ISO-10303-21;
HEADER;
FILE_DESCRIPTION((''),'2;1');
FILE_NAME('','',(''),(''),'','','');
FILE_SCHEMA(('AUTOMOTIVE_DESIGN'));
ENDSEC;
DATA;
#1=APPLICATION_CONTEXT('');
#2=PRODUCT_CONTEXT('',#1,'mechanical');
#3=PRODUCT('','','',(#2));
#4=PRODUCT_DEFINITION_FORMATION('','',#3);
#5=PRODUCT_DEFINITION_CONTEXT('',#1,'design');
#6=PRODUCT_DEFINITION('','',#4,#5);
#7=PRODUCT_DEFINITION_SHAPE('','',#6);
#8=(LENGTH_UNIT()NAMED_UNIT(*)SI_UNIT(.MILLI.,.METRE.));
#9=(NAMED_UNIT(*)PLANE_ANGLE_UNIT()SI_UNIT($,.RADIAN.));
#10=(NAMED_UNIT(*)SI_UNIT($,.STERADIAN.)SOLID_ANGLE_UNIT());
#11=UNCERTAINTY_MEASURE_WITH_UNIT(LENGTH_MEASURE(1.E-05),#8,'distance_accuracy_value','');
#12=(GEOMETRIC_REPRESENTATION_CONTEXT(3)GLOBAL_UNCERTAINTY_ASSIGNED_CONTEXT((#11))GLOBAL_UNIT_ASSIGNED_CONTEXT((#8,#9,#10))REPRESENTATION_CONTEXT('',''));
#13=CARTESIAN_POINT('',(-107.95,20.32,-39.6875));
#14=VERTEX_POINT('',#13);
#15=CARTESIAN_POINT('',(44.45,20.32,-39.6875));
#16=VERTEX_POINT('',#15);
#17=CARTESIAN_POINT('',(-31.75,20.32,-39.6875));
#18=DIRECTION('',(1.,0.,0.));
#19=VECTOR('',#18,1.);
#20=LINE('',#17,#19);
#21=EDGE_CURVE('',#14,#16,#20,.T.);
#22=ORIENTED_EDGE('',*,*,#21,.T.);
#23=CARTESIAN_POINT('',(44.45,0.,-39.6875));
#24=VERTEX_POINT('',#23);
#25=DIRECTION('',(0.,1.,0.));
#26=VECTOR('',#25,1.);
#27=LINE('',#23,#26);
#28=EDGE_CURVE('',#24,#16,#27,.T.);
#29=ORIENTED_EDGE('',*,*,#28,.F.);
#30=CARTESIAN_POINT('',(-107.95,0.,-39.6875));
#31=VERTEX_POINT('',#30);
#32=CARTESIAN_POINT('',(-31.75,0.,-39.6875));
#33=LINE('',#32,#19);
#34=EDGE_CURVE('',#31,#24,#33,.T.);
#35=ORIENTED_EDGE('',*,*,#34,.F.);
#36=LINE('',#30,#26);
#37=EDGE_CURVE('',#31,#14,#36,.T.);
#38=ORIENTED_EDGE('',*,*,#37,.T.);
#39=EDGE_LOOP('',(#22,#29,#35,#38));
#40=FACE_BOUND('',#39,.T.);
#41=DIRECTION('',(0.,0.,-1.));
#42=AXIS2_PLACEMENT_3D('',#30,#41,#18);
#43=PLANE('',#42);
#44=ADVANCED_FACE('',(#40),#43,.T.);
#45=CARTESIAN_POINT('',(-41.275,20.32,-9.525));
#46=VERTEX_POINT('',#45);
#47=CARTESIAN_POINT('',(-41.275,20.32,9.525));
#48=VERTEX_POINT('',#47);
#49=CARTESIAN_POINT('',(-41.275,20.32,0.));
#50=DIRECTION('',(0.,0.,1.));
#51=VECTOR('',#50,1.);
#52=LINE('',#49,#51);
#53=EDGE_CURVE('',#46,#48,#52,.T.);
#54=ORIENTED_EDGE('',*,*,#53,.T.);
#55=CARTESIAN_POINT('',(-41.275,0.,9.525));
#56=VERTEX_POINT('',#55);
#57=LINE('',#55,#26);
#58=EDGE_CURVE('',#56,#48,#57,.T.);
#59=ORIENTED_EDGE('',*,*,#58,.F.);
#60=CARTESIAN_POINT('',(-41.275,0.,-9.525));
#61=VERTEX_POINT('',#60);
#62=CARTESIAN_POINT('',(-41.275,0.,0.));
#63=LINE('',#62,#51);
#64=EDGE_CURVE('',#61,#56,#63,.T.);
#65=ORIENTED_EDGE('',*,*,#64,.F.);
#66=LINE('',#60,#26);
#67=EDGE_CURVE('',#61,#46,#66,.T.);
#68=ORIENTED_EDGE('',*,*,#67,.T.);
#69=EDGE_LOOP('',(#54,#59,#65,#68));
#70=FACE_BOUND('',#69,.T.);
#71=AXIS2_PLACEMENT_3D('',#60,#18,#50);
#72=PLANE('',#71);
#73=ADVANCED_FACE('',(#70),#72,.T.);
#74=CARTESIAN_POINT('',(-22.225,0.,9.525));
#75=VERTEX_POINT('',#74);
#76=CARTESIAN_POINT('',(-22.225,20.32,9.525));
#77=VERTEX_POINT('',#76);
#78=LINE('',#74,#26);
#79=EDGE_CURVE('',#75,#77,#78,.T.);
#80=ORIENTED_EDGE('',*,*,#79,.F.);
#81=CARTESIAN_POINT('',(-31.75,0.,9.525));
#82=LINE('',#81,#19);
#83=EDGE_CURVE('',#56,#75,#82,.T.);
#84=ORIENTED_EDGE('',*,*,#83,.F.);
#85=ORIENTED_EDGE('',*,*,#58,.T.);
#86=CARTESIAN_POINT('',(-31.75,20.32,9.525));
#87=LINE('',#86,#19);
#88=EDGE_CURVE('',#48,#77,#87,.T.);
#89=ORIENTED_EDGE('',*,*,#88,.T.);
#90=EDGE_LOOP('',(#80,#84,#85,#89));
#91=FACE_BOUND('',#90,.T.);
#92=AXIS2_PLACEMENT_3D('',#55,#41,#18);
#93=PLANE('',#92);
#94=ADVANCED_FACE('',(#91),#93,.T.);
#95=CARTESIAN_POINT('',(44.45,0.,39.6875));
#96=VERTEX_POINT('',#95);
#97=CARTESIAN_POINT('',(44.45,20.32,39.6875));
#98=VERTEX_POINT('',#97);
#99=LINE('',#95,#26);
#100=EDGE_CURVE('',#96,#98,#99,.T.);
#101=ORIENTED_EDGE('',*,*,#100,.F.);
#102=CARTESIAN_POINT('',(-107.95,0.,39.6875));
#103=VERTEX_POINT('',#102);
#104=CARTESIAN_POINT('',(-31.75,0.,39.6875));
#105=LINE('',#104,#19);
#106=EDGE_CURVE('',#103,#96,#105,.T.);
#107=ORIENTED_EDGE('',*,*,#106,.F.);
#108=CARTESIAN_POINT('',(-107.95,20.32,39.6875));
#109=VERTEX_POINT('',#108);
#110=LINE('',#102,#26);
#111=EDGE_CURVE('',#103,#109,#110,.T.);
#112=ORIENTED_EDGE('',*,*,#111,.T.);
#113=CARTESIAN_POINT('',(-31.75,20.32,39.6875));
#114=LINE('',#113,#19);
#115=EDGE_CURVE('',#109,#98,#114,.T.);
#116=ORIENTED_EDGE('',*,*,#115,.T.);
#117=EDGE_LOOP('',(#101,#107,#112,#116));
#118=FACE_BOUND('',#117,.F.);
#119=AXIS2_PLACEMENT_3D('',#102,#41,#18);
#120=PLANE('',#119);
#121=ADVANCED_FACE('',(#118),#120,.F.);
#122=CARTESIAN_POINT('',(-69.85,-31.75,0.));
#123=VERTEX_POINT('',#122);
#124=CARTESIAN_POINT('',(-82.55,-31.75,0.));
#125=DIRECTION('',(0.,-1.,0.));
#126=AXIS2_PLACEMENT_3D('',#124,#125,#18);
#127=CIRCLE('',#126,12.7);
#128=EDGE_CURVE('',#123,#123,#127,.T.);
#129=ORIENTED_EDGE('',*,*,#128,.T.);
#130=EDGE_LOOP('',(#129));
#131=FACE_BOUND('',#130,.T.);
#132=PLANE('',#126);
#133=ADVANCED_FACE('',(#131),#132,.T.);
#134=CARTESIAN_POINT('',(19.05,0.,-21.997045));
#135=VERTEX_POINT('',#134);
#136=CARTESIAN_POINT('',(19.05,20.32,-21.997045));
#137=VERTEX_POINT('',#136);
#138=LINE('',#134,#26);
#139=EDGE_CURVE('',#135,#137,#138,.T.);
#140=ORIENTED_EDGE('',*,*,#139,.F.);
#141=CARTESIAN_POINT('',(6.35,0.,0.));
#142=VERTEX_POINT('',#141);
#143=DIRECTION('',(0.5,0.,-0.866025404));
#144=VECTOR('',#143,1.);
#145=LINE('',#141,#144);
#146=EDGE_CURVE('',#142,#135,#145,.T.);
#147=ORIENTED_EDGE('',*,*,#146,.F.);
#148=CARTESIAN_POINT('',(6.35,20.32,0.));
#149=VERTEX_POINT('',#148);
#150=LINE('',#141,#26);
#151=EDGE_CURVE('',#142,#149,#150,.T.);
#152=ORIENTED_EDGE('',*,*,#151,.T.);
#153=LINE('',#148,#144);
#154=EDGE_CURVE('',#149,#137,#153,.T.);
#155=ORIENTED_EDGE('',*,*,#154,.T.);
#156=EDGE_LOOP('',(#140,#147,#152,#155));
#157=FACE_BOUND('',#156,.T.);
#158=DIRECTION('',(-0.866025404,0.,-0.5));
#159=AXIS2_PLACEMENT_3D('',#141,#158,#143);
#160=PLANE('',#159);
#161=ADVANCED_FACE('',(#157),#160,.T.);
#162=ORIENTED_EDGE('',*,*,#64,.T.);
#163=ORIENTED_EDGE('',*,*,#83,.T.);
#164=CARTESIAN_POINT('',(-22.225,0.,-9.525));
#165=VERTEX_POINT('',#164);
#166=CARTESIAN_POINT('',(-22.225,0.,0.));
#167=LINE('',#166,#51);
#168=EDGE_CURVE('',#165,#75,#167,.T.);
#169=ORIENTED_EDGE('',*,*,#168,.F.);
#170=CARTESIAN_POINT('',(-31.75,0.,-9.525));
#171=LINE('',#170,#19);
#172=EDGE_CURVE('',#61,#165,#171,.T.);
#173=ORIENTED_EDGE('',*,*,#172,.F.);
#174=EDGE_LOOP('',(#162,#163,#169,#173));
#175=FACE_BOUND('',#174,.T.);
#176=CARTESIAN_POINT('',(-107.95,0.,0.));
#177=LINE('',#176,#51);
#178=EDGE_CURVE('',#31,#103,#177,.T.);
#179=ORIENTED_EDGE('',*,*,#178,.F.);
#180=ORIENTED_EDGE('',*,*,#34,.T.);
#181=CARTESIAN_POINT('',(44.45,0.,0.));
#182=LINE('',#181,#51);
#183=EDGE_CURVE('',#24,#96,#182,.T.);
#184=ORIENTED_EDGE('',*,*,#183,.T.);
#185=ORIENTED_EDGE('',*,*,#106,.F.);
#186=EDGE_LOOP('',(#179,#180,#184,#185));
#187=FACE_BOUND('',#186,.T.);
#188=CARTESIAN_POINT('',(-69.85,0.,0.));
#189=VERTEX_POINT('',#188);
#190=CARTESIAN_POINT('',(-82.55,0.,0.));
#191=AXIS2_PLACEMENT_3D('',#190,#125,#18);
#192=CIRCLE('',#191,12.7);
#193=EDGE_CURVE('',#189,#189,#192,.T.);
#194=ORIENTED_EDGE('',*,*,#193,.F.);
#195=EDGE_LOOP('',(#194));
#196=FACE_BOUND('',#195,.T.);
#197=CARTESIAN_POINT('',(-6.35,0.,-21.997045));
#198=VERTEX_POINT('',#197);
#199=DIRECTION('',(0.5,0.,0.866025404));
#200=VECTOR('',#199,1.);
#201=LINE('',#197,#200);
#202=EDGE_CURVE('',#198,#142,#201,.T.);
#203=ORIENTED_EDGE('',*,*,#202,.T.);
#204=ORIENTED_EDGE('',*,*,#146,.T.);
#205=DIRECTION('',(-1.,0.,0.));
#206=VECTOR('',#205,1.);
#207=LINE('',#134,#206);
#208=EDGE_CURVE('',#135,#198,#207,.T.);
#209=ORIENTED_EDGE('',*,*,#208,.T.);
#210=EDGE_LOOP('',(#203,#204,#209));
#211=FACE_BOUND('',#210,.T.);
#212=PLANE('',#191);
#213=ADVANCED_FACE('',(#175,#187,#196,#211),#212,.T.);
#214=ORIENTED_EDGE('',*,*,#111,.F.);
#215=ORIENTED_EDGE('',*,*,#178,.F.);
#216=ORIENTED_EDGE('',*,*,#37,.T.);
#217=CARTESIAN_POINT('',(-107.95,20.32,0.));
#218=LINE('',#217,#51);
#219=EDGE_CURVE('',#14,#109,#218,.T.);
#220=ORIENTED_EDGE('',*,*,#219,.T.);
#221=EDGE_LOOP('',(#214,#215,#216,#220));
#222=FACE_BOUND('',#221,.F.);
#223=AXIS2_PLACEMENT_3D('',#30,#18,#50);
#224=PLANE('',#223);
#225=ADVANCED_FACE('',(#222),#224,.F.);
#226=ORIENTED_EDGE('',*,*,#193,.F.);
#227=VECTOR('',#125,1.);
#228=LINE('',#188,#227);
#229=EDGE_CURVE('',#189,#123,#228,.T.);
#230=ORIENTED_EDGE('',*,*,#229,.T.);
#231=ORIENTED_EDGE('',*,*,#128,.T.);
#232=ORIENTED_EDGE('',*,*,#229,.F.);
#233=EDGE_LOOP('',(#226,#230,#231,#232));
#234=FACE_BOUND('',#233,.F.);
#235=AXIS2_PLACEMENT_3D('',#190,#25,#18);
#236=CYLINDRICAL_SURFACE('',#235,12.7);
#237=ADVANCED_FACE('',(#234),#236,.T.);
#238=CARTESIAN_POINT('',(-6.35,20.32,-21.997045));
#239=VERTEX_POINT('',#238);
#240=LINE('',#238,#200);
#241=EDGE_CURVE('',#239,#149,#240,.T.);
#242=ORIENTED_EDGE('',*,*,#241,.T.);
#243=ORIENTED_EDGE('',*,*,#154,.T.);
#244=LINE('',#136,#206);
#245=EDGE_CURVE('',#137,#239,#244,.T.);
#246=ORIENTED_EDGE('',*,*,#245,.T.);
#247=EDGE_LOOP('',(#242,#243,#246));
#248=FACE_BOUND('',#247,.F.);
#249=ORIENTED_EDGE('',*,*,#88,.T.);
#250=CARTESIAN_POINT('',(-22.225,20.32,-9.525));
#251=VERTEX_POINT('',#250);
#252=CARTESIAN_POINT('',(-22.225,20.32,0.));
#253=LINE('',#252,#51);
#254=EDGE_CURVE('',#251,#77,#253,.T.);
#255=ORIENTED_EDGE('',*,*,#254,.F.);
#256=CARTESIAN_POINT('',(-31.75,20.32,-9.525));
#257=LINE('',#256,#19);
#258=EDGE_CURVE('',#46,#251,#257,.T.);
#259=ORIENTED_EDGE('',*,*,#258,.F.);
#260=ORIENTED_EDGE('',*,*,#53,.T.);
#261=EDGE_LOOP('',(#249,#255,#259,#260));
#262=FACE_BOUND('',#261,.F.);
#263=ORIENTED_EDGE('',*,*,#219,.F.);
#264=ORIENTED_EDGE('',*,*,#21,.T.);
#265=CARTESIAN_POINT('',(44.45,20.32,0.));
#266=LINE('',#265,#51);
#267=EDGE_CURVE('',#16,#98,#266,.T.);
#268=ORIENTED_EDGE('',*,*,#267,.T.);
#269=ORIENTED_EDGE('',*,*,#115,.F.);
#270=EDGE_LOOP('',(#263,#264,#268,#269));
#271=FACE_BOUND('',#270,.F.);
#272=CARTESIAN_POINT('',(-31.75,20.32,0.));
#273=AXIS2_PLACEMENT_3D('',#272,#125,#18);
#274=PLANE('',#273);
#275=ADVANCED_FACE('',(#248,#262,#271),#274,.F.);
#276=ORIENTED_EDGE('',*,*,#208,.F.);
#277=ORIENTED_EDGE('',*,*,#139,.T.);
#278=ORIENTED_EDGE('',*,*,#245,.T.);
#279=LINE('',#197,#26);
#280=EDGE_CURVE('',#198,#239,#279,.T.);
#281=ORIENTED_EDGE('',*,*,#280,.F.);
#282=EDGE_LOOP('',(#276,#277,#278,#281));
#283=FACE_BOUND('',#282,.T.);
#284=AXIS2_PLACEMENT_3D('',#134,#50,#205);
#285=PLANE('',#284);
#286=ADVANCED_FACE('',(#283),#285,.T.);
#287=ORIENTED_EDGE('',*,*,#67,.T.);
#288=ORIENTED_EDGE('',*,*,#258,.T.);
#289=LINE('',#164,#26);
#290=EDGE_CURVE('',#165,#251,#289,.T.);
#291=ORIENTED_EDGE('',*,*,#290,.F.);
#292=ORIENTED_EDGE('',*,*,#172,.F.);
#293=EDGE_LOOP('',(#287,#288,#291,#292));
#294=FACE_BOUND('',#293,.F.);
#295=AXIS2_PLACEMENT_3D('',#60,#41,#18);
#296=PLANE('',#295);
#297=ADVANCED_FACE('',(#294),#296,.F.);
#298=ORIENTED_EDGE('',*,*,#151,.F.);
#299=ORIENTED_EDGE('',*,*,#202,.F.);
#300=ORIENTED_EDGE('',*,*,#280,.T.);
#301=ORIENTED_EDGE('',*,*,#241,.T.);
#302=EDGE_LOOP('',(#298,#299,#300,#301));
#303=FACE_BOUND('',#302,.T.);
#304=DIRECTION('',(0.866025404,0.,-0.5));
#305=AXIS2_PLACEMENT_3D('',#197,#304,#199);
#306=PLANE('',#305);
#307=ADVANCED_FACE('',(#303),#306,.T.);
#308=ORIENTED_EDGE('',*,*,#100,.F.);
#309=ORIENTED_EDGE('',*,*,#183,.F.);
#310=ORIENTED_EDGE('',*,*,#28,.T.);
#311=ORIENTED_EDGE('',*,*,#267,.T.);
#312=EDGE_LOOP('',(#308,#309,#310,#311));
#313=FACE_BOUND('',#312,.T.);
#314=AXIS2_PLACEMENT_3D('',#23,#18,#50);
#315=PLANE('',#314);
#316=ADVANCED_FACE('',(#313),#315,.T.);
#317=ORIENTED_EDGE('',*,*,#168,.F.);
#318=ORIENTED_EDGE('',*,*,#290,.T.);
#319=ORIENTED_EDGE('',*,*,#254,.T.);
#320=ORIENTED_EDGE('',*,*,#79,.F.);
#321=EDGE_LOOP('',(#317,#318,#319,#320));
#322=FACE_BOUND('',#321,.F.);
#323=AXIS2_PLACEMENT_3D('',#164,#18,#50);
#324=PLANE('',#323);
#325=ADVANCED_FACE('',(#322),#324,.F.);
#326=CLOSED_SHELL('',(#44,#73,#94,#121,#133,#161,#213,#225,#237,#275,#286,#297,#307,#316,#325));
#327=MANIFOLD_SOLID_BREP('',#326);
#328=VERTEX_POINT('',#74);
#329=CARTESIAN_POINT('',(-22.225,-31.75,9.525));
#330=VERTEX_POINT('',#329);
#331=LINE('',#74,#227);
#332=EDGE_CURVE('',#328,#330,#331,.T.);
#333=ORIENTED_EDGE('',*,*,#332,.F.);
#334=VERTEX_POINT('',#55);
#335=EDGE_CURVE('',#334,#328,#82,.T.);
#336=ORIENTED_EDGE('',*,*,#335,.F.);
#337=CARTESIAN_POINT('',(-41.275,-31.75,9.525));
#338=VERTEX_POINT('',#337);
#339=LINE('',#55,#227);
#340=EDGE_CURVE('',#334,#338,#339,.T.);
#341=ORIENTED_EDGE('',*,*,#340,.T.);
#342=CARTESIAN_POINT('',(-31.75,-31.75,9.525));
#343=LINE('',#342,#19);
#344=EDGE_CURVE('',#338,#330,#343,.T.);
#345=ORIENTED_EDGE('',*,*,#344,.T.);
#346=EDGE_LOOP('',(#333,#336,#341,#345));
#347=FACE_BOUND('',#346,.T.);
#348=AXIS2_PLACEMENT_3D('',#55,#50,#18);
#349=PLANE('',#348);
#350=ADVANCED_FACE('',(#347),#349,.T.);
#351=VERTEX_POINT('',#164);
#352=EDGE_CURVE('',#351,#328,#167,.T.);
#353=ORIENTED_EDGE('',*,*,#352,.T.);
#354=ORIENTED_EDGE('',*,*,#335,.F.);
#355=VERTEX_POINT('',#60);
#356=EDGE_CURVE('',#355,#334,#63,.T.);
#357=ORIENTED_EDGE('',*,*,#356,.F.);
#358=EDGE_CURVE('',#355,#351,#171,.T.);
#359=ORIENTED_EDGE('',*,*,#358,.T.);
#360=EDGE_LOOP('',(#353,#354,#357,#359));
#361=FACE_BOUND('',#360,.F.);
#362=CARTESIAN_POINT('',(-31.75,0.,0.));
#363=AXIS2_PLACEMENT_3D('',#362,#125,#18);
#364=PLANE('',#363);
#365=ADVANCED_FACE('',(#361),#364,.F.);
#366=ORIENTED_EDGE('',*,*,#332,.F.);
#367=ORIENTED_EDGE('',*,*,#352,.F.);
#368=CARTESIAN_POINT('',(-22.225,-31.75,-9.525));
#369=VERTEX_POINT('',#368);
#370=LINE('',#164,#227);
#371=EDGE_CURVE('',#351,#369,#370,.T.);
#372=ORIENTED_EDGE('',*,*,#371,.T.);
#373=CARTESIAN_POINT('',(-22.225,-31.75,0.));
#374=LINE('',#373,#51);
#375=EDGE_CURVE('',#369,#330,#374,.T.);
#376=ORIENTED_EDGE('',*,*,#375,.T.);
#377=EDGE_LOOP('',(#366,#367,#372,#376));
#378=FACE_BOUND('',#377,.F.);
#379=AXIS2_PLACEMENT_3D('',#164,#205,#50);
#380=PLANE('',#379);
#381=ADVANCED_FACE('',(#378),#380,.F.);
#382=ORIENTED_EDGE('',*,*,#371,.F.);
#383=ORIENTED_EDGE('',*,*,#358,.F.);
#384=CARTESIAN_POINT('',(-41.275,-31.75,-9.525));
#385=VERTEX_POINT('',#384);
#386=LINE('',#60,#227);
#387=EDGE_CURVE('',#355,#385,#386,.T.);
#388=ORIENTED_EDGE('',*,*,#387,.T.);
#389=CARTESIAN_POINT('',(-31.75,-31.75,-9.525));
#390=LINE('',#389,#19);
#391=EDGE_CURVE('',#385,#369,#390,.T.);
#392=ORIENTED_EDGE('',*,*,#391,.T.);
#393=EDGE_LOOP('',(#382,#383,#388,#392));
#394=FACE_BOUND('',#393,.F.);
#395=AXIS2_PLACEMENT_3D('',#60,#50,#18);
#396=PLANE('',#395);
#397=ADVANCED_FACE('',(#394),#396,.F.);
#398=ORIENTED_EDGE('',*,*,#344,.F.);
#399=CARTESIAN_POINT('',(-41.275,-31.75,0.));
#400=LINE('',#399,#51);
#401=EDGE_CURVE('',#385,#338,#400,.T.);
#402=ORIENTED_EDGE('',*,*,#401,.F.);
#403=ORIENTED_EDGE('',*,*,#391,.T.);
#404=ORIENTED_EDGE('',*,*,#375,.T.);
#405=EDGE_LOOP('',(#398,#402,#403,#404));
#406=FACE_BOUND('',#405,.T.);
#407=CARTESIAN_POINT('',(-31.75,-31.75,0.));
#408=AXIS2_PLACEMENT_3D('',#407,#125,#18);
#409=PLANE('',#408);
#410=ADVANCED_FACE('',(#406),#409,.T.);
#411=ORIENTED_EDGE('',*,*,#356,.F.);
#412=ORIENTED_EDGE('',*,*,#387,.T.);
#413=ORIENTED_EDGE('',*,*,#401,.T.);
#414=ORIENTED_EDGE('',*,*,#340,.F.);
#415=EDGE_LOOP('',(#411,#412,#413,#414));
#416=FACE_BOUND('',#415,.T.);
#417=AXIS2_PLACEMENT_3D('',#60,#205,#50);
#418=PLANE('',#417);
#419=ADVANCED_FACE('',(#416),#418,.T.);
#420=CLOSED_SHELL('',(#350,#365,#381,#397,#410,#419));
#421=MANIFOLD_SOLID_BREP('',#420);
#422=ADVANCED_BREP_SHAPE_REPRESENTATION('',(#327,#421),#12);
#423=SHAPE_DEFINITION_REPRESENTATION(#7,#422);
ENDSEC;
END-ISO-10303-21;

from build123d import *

# Parameters (mm, degrees)
F0_W          = 152.4
F0_H          = 79.375
F0_R          = 12.7
F0_W_2        = 19.05
F0_H_2        = 19.05
F1_DEPTH      = 20.32
F2_DEPTH      = 20.32
F2_DEPTH_BACK = 31.75
F3_DEPTH      = 31.75


with BuildPart() as f1:
    # F0 (on Front) → F1 (new body)
    with BuildSketch(Plane.XZ):
        with Locations((-31.75, 0)):
            Rectangle(F0_W, F0_H)
        Polygon((-6.35, -21.9970452561), (6.35, 0), (19.05, -21.9970452561), align=None, mode=Mode.SUBTRACT)
        with Locations((-82.55, 0)):
            Circle(F0_R, mode=Mode.SUBTRACT)
        with Locations((-31.75, 0)):
            Rectangle(F0_W_2, F0_H_2, mode=Mode.SUBTRACT)
    extrude(amount=-F1_DEPTH)

    # F0 (on Front) → F2 (join, two sides)
    with BuildSketch(Plane.XZ) as f2_sk:
        with Locations((-82.55, 0)):
            Circle(F0_R)
    extrude(amount=-F2_DEPTH)
    extrude(f2_sk.sketch, amount=F2_DEPTH_BACK)

    # F0 (on Front) → F3 (join)
    with BuildSketch(Plane.XZ):
        with Locations((-31.75, 0)):
            Rectangle(F0_W_2, F0_H_2)
    extrude(amount=F3_DEPTH)


solid = f1.part
